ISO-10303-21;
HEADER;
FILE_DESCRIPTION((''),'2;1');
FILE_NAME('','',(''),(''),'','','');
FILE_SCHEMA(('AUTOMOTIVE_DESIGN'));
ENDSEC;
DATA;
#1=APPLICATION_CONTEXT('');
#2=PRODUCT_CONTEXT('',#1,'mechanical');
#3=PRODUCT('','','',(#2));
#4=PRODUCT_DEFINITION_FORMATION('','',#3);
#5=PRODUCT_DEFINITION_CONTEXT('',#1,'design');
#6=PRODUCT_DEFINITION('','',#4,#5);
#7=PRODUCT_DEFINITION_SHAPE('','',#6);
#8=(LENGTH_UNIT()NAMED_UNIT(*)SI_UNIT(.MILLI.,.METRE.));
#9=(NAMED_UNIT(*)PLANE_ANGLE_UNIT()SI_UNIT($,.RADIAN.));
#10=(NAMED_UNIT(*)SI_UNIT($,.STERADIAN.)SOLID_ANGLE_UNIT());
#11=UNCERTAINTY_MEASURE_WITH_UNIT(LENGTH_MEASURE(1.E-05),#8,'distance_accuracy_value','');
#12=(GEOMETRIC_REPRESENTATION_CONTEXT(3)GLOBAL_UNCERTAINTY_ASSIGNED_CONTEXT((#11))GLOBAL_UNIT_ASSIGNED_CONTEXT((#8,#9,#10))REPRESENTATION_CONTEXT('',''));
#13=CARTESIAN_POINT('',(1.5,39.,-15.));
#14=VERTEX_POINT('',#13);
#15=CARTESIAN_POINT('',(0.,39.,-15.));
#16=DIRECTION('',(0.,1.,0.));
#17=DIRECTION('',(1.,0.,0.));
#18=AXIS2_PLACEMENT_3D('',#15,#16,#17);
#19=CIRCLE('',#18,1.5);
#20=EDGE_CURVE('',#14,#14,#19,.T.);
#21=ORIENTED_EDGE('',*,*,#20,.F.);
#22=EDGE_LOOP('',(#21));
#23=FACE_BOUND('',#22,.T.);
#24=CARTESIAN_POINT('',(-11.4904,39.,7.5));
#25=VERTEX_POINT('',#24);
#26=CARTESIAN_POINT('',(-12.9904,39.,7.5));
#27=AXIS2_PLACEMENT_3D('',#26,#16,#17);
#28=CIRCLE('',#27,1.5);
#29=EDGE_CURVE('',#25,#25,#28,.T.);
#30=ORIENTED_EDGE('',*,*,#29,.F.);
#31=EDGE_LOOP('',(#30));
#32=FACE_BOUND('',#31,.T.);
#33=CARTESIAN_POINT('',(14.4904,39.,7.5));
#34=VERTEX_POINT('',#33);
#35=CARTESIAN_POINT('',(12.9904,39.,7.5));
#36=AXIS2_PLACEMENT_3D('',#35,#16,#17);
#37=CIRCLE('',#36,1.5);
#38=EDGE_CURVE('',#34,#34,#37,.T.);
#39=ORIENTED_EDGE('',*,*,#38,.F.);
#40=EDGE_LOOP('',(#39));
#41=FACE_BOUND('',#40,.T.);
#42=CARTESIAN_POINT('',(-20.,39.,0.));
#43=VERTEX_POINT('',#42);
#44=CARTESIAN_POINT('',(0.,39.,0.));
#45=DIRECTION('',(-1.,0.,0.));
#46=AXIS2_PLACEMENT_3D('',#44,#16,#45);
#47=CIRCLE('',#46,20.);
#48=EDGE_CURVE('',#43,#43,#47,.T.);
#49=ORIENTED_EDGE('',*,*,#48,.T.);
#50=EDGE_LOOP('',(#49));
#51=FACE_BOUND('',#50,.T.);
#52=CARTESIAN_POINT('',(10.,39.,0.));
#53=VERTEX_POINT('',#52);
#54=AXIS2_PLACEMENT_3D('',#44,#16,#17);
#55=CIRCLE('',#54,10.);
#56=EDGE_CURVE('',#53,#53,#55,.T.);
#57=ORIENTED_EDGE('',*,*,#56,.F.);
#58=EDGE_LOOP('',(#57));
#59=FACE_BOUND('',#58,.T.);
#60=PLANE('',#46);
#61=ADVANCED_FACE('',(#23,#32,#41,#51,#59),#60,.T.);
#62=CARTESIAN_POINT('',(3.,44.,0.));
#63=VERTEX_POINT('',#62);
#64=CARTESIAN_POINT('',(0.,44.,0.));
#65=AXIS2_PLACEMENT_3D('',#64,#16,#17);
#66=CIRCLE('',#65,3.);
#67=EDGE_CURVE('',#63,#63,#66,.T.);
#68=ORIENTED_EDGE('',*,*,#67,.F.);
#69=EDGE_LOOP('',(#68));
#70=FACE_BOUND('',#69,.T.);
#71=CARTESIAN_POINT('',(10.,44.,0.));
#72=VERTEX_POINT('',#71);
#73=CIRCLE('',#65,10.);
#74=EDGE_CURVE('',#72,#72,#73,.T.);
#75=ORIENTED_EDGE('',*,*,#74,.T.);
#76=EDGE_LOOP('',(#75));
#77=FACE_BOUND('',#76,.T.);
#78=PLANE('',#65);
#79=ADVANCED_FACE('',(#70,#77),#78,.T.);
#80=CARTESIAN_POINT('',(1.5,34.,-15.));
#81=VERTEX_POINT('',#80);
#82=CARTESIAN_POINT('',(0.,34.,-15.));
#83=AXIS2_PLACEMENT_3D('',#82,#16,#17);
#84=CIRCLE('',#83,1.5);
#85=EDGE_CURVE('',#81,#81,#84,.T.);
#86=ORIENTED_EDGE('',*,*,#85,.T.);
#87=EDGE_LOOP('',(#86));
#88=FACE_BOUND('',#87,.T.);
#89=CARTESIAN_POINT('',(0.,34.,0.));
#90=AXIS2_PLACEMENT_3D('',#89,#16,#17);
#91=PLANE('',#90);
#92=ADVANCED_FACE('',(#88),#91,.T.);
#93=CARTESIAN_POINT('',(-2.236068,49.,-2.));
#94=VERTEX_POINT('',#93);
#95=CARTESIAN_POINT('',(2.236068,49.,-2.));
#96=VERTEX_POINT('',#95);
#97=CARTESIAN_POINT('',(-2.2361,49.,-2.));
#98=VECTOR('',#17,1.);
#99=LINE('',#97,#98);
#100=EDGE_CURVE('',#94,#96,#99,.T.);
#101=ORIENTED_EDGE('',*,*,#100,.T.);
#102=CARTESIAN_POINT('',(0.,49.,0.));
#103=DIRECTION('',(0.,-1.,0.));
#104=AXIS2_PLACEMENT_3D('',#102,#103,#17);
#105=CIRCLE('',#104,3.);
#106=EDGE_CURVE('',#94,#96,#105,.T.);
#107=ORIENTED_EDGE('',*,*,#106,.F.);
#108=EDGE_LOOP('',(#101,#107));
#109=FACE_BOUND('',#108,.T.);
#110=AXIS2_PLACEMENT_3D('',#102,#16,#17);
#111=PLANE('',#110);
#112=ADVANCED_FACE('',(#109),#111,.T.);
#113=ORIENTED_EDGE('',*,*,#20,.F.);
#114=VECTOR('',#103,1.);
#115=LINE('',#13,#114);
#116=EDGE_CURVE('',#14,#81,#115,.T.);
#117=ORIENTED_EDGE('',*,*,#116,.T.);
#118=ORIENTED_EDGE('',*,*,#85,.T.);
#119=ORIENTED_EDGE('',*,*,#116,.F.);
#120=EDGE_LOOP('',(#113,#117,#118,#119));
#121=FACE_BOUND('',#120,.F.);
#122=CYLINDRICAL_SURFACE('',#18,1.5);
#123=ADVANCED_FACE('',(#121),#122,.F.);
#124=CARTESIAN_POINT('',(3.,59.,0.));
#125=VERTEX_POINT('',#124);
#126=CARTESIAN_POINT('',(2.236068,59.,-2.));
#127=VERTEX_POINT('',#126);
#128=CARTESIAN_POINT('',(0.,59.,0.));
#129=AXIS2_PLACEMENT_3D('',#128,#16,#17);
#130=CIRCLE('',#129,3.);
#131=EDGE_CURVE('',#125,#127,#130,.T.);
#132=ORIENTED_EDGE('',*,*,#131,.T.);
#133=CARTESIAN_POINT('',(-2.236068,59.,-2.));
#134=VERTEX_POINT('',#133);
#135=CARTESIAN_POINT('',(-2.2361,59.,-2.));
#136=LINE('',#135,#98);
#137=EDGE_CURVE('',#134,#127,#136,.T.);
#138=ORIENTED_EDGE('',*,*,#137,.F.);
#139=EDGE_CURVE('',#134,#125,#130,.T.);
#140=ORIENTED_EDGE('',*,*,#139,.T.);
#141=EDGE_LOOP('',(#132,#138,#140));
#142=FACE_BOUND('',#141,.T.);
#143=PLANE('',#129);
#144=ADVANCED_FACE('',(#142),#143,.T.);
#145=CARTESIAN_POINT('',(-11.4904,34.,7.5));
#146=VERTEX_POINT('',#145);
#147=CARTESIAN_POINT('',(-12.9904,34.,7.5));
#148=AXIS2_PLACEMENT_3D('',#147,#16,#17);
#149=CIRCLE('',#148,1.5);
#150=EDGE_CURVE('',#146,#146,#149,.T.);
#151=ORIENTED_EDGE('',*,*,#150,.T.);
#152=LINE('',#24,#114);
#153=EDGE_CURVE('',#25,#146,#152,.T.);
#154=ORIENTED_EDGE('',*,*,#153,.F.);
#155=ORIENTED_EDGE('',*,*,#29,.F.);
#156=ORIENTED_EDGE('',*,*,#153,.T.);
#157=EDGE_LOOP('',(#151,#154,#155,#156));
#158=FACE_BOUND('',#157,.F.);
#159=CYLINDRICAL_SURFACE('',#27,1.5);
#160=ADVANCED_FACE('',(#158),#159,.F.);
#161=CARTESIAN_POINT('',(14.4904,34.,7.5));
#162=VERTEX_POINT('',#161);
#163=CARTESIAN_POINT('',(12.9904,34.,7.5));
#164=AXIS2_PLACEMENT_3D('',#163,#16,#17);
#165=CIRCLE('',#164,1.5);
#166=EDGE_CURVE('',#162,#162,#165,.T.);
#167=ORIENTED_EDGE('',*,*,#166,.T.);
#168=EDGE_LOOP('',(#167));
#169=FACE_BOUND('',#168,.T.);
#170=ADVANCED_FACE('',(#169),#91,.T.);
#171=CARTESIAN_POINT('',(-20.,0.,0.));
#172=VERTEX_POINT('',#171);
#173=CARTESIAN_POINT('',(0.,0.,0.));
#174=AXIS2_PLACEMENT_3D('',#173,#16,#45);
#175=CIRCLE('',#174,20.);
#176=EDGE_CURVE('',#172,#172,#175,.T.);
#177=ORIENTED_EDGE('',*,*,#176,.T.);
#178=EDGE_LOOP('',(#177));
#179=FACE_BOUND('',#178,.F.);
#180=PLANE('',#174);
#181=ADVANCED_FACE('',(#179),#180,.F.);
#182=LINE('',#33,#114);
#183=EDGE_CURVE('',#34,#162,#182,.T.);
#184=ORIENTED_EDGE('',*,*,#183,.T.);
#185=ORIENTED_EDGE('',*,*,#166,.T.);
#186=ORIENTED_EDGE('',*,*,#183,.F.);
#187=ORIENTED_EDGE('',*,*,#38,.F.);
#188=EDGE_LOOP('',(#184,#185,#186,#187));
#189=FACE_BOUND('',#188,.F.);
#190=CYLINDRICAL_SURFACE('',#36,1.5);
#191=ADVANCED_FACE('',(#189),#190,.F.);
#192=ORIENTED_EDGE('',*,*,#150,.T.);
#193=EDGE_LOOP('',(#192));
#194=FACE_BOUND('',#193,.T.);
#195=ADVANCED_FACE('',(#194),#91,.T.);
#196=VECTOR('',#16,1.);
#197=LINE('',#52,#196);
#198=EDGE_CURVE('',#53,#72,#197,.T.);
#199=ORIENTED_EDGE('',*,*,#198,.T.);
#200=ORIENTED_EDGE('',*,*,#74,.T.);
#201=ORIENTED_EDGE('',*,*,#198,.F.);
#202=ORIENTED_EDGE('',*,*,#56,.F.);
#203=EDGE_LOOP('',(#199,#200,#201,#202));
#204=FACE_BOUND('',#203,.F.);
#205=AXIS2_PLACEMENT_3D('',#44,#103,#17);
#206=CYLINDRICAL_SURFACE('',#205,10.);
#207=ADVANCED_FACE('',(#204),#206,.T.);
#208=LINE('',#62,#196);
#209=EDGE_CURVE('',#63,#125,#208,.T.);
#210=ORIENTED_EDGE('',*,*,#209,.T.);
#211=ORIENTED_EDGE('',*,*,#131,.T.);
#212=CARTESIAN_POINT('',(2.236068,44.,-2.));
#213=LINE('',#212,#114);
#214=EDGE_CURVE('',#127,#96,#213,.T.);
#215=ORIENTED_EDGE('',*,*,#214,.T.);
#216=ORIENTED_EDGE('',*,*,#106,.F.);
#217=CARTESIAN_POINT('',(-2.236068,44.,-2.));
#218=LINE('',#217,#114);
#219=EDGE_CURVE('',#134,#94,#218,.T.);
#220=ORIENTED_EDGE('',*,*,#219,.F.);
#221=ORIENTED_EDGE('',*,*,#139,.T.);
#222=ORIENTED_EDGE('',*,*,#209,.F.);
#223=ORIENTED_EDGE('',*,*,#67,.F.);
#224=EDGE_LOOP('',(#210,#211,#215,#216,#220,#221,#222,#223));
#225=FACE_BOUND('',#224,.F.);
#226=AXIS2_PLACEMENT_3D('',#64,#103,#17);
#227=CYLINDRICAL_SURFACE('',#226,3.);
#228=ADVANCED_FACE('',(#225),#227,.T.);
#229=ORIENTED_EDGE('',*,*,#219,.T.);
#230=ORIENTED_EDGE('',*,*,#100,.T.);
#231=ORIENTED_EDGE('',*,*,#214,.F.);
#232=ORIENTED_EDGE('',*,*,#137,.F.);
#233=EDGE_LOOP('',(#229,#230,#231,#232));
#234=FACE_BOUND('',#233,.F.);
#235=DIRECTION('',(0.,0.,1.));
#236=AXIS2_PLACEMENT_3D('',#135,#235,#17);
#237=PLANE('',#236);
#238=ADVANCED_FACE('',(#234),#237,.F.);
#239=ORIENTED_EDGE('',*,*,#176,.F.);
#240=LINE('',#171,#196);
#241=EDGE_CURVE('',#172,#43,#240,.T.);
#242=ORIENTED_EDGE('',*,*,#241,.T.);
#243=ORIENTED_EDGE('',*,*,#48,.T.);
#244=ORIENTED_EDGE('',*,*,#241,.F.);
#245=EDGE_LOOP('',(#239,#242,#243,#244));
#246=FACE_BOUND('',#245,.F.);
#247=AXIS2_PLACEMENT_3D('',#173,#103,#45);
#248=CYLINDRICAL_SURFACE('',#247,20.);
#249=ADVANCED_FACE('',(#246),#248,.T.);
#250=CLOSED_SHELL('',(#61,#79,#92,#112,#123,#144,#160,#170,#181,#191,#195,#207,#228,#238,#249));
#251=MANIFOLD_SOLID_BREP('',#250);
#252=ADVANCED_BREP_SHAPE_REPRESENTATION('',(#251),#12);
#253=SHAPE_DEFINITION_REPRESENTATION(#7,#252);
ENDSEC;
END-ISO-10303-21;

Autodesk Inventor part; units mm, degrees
ref_plane "YZ Plane" through (0, 0, 0) normal (1, 0, 0) x (0, 1, 0)
ref_plane "XZ Plane" through (0, 0, 0) normal (0, 1, 0) x (-1, 0, 0)
ref_plane "XY Plane" through (0, 0, 0) normal (0, 0, 1) x (1, 0, 0)
sketch "Esquisse1" plane through (0, 0, 0) normal (0, 1, 0) x (-1, 0, 0)
  circle A0 centre (0, 0) radius 20
  dimension "d0" = 40
extrude "Extrusion1" add sketch "Esquisse1" along normal blind 39
sketch "Esquisse2" plane through (0, 39, 0) normal (0, 1, 0) x (1, 0, 0)
  circle A0 centre (0, 0) radius 20 projected
  circle A1 centre (0, 0) radius 10
  dimension "d3" = 20
extrude "Extrusion2" add sketch "Esquisse2" along normal blind 5 contours A1
sketch "Esquisse3" plane through (0, 44, 0) normal (0, 1, 0) x (1, 0, 0)
  circle A0 centre (0, 0) radius 10 projected
  circle A1 centre (0, 0) radius 3
  dimension "d6" = 6
extrude "Extrusion3" add sketch "Esquisse3" along normal blind 15 contours A1
sketch "Esquisse4" plane through (0, 59, 0) normal (0, 1, 0) x (1, 0, 0)
  circle A0 centre (0, 0) radius 3 construction
  line L0 (-2.2361, 2) -> (2.2361, 2)
  line L1 (2.2361, 2) -> (2.2361, -2) construction
  line L2 (2.2361, -2) -> (-2.2361, -2) construction
  line L3 (-2.2361, -2) -> (-2.2361, 2) construction
  arc A1 (-2.2361, 2) -> (2.2361, 2) centre (0, 0) ccw
  arc A2 (2.2361, 2) -> (-2.2361, 2) centre (0, 0) ccw
  dimension "d9" = 4
extrude "Extrusion4" cut sketch "Esquisse4" against normal blind 10 contours A2 L0
sketch "Esquisse5" plane through (0, 39, 0) normal (0, 1, 0) x (1, 0, 0)
  circle A0 centre (0, 0) radius 10 projected
  circle A1 centre (0, 0) radius 20 projected
  circle A2 centre (0, 0) radius 15 construction
  circle A3 centre (0, 15) radius 1.5
  circle A4 centre (-12.9904, -7.5) radius 1.5
  circle A5 centre (12.9904, -7.5) radius 1.5
  dimension "d12" = 30
  dimension "d13" = 3
  dimension "d16" = 360
extrude "Extrusion5" cut sketch "Esquisse5" against normal blind 5 contours A3 | A4 | A5
properties part number "encoder_E6B2"
